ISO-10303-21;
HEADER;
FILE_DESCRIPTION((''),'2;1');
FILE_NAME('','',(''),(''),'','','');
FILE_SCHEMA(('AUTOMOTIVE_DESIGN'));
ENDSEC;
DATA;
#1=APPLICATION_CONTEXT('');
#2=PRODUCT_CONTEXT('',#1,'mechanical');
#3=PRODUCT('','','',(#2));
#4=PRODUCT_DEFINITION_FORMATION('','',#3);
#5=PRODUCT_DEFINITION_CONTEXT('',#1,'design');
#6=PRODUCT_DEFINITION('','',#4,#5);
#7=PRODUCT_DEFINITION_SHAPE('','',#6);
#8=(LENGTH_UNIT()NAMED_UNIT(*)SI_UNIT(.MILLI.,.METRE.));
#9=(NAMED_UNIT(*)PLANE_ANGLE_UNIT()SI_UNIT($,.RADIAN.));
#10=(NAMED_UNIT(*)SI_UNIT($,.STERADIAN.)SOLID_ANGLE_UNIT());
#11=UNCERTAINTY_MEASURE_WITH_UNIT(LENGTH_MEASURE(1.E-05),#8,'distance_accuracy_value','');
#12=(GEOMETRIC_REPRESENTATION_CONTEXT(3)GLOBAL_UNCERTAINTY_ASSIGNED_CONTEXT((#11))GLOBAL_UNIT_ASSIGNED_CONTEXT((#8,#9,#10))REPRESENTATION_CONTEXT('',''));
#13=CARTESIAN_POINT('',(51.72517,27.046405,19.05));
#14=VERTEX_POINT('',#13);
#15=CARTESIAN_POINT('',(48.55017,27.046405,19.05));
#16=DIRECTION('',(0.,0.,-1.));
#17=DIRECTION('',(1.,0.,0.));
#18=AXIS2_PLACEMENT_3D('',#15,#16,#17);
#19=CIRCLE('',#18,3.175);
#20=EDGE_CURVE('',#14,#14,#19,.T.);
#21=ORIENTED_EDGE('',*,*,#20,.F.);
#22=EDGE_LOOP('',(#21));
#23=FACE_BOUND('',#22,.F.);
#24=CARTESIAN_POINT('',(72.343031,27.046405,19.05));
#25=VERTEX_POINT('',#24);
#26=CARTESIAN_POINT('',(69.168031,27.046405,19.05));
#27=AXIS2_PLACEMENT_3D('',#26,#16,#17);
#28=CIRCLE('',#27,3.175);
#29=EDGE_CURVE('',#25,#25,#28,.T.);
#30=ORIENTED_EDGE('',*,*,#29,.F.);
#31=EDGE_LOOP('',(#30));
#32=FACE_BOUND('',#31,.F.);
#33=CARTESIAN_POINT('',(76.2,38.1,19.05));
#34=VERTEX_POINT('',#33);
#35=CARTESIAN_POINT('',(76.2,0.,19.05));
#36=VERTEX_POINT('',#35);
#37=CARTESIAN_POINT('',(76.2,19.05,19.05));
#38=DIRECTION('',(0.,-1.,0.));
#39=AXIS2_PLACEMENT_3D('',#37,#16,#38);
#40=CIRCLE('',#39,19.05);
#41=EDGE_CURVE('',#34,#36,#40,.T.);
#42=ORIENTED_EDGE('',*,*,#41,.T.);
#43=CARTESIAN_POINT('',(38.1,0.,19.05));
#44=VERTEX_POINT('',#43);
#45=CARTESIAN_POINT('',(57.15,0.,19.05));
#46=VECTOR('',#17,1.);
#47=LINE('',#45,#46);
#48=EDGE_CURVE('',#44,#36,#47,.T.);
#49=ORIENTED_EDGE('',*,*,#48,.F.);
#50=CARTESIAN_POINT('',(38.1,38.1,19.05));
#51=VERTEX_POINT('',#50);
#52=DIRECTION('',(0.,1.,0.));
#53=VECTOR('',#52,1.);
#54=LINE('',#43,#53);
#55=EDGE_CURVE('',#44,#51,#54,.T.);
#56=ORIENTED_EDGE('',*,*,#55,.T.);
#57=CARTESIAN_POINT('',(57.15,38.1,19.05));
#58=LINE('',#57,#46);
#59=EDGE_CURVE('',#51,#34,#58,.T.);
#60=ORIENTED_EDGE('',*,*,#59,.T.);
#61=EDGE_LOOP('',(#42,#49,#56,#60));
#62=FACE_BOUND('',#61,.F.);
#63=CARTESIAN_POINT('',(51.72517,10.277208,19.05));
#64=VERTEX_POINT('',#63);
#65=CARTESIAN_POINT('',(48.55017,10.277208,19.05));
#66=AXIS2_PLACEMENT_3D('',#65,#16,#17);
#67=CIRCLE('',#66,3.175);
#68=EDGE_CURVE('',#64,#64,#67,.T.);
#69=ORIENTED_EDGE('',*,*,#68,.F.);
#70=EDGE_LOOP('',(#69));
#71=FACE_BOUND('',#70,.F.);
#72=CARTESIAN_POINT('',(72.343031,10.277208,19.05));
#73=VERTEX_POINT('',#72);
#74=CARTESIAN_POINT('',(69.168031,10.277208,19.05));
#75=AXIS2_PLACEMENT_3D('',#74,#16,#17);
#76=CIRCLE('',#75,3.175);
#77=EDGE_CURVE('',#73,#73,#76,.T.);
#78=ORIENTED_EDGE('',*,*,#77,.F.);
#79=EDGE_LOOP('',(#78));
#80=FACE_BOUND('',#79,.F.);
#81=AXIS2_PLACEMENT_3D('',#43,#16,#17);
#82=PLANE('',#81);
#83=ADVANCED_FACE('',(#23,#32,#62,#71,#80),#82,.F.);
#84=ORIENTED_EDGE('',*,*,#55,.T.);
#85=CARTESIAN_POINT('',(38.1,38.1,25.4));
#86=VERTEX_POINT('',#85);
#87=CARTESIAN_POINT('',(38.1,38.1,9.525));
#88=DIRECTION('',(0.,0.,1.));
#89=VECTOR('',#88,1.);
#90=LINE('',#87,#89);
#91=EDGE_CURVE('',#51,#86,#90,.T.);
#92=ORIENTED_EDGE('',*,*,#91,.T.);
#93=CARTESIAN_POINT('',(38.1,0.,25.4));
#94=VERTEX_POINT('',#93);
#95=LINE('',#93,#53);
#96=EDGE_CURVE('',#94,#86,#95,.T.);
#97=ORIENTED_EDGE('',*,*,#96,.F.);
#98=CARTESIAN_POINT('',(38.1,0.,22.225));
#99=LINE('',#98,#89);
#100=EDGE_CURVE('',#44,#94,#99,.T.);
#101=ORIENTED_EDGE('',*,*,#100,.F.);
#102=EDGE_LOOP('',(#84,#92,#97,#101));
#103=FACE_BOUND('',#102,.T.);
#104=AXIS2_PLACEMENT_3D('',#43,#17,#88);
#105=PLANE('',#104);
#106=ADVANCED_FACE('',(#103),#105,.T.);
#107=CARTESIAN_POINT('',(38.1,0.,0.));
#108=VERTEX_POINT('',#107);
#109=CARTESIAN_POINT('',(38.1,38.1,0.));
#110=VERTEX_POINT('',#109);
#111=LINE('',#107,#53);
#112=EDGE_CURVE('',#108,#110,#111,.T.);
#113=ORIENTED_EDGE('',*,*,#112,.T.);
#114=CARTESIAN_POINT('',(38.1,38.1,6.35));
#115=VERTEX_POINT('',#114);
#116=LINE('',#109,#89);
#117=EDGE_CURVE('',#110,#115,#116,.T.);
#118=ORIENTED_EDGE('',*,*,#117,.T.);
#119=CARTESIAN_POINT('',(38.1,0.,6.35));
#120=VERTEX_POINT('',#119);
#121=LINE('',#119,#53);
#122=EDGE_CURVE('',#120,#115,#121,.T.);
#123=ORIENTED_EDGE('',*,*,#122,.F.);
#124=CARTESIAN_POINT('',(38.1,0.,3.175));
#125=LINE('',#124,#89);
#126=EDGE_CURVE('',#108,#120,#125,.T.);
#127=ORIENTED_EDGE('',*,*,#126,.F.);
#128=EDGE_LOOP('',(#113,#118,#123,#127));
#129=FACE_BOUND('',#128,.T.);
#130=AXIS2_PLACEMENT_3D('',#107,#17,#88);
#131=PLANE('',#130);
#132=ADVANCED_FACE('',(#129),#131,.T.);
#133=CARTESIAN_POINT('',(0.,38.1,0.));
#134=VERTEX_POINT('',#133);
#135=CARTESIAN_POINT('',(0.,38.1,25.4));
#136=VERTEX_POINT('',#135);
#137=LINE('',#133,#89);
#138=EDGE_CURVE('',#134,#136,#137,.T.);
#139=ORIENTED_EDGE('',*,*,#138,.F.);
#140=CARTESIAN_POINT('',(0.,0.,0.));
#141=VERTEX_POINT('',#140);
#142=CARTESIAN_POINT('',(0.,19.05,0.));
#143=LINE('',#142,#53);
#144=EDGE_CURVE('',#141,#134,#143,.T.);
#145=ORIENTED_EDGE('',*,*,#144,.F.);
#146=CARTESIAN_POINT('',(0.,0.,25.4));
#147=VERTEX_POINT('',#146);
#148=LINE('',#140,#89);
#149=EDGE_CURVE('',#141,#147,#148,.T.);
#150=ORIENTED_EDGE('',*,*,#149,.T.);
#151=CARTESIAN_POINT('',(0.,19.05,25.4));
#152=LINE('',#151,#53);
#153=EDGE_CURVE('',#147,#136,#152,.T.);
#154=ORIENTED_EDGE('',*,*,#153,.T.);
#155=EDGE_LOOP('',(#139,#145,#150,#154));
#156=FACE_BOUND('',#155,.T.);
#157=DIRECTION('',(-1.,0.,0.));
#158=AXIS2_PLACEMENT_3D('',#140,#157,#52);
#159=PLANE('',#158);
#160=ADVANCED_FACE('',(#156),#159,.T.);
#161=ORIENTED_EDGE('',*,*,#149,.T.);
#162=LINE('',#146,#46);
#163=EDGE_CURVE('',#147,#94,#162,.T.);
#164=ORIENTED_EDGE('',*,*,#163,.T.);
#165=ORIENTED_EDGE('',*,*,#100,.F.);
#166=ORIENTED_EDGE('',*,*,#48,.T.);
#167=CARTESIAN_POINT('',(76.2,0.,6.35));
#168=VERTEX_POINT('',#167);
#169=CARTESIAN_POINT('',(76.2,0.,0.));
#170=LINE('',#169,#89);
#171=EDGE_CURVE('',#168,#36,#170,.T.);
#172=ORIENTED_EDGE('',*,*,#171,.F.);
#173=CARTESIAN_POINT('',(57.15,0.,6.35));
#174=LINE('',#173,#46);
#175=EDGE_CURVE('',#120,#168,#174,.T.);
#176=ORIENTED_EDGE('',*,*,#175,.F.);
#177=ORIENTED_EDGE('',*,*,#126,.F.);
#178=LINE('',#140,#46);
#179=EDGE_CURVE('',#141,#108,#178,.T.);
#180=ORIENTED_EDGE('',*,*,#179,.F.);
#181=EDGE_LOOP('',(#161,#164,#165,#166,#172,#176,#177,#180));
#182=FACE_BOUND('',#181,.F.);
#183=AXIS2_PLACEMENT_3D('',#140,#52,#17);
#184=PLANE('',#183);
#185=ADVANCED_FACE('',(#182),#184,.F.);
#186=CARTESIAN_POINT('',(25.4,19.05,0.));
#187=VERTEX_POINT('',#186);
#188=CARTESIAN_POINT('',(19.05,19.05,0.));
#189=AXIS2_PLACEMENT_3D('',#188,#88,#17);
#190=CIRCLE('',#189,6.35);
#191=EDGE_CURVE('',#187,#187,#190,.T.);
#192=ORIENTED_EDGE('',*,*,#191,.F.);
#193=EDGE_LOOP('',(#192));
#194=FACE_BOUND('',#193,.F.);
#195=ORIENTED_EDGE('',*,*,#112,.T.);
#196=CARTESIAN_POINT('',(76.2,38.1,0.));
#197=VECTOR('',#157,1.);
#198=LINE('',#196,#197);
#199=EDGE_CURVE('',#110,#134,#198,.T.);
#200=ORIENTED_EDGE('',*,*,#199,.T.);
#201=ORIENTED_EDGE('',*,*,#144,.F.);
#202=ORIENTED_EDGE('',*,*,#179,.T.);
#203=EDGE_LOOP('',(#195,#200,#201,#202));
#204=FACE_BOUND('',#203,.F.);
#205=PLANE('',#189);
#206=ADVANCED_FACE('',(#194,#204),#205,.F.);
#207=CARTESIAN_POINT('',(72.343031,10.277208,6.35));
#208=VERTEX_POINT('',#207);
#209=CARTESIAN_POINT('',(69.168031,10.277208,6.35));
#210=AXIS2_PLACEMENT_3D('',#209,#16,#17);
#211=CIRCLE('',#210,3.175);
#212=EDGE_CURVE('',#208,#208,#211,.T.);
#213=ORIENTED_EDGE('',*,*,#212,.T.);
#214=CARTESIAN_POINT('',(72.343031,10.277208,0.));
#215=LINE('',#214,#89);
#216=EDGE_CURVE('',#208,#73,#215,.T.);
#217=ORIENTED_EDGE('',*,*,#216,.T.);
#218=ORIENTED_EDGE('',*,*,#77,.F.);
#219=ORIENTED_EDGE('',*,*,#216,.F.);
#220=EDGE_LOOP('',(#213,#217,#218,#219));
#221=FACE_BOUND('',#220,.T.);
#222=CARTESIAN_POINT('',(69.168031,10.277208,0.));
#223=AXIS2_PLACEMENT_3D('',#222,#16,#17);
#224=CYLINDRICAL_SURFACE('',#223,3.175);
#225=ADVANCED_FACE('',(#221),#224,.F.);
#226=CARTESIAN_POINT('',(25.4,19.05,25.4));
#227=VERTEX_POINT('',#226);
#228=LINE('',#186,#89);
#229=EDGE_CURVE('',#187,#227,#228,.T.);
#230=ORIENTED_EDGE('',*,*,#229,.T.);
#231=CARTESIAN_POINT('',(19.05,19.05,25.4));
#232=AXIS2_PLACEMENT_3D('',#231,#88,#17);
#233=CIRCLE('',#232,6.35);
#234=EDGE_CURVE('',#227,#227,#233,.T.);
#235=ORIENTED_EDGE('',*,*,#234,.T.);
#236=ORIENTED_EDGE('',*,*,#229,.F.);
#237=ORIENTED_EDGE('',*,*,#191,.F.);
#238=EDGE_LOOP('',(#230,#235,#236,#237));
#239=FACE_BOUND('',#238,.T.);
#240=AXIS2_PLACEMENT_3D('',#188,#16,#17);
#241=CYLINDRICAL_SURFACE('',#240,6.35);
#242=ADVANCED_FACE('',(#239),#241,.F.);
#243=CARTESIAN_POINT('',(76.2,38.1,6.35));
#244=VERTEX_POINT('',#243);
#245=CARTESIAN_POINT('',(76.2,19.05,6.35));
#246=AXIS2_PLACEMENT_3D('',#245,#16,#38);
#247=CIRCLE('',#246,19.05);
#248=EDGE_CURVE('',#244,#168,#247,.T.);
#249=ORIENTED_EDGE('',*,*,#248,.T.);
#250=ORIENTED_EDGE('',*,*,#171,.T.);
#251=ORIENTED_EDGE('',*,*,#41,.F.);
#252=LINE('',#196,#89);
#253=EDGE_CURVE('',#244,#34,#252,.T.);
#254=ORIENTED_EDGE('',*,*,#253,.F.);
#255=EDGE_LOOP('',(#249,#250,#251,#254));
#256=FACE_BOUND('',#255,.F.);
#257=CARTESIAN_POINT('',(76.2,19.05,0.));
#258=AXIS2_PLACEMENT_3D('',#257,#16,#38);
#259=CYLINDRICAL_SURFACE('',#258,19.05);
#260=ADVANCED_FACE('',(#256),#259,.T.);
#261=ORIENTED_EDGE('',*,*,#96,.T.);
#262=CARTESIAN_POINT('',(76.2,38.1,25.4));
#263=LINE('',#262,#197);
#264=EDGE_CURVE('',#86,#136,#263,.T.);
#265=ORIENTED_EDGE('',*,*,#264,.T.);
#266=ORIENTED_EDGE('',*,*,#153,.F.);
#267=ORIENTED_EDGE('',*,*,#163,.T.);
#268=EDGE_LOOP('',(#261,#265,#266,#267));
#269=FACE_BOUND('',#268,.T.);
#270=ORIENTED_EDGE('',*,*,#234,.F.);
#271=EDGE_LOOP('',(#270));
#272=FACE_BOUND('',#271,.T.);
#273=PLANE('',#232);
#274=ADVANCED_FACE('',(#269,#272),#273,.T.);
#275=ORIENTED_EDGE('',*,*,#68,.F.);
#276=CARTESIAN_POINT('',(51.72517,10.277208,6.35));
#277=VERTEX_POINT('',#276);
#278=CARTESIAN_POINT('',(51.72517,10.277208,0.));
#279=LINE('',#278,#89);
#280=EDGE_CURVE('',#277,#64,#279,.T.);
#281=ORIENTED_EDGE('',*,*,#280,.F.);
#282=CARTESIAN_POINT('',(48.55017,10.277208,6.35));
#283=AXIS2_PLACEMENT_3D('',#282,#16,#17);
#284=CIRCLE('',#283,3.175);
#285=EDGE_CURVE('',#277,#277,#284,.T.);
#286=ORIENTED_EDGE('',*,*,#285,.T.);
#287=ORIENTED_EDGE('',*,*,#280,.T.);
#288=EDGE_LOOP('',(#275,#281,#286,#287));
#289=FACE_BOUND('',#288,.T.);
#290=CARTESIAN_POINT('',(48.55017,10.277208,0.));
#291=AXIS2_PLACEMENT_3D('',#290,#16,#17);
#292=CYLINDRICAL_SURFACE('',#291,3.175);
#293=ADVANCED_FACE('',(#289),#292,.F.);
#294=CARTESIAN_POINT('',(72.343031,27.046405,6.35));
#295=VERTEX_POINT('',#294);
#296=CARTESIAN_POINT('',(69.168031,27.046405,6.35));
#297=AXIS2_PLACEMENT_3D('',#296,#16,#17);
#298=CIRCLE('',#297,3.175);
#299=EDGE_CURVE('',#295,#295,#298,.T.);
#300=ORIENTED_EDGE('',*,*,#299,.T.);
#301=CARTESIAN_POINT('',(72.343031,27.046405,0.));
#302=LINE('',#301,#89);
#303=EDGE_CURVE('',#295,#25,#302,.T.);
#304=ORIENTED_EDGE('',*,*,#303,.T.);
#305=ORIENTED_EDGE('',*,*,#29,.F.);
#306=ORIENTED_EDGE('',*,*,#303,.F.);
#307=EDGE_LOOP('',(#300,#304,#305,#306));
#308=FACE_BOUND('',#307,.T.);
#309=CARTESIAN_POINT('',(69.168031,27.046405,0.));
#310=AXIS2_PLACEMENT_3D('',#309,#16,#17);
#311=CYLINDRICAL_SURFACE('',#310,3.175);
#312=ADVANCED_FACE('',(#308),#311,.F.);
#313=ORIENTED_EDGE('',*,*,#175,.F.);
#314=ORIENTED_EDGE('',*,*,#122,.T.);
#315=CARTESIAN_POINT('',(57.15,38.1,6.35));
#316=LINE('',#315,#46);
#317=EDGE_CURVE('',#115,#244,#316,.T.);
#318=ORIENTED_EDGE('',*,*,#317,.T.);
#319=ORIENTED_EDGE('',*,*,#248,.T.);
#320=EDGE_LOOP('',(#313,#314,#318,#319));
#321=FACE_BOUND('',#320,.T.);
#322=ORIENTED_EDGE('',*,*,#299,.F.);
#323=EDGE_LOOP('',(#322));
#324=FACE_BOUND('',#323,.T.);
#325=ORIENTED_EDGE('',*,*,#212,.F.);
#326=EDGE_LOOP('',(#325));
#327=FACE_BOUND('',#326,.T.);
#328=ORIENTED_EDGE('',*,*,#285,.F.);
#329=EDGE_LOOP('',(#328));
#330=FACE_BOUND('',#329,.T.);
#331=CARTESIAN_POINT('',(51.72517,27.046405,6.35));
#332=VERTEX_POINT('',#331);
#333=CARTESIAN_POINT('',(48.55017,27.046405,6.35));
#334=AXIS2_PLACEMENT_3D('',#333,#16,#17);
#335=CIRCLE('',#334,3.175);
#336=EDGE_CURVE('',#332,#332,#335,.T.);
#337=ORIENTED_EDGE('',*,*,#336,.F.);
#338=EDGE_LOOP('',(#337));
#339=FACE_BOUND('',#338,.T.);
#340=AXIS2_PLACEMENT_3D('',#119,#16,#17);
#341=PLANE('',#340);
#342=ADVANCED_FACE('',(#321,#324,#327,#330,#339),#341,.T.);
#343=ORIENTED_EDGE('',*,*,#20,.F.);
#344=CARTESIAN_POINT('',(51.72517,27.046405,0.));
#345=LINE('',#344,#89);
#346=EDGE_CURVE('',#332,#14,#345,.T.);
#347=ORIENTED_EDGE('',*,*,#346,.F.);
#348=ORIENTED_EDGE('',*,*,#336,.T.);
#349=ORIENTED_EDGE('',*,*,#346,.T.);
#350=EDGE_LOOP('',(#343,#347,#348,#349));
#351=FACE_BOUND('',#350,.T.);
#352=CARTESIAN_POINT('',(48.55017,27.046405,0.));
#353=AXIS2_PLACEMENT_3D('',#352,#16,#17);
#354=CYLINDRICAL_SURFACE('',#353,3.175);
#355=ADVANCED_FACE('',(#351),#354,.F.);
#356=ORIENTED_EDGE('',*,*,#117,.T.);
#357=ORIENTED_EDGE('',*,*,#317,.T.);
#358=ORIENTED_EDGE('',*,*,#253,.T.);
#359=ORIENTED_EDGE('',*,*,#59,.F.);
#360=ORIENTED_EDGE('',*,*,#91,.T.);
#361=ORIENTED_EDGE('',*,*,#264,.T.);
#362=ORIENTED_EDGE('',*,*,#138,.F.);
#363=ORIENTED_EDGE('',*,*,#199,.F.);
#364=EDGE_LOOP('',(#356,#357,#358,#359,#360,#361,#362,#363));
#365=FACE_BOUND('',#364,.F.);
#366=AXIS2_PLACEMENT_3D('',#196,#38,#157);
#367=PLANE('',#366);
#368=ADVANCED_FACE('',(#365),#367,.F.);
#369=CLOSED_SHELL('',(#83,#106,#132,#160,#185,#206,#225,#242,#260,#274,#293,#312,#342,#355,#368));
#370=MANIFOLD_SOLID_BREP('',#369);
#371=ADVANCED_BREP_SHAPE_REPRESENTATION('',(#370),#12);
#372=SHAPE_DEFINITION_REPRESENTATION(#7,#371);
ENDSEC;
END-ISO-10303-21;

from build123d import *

# Parameters (mm, degrees)
F0_W     = 38.1
F0_H     = 38.1
F0_R     = 6.35
F0_R_2   = 3.175
F1_DEPTH = 25.4
F2_W     = 38.1
F2_H     = 6.35
F3_DEPTH = 38.101
F4_W     = 19.165852
F4_H     = 6.453032
F4_H_2   = 6.35
F5_DEPTH = 38.101


with BuildPart() as f1:
    # F0 (on Top) → F1 (new body)
    with BuildSketch(Plane.XY):
        with Locations((19.05, 19.05)):
            Rectangle(F0_W, F0_H)
        with Locations((19.05, 19.05)):
            Circle(F0_R, mode=Mode.SUBTRACT)
        with BuildLine():
            Line((38.1, 38.1), (38.1, 0))
            Line((38.1, 0), (76.2, 0))
            ThreePointArc((76.2, 0), (95.25, 19.05), (76.2, 38.1))
            Line((76.2, 38.1), (38.1, 38.1))
        make_face()
        with Locations((48.55017, 10.277208)):
            Circle(F0_R_2, mode=Mode.SUBTRACT)
        with Locations((69.168031, 10.277208)):
            Circle(F0_R_2, mode=Mode.SUBTRACT)
        with Locations((48.55017, 27.046405)):
            Circle(F0_R_2, mode=Mode.SUBTRACT)
        with Locations((69.168031, 27.046405)):
            Circle(F0_R_2, mode=Mode.SUBTRACT)
    extrude(amount=F1_DEPTH)

    # F2 (on face) → F3 (cut, through all)
    with BuildSketch(Plane.XZ):
        with Locations((57.15, 22.225)):
            Rectangle(F2_W, F2_H)
        with Locations((57.15, 3.175)):
            Rectangle(F2_W, F2_H)
    extrude(amount=-F3_DEPTH, mode=Mode.SUBTRACT)

    # F4 (on face) → F5 (cut, through all)
    with BuildSketch(Plane.XZ):
        with Locations((85.782926, 22.276516)):
            Rectangle(F4_W, F4_H)
        with Locations((85.782926, 3.175)):
            Rectangle(F4_W, F4_H_2)
    extrude(amount=-F5_DEPTH, mode=Mode.SUBTRACT)


solid = f1.part
